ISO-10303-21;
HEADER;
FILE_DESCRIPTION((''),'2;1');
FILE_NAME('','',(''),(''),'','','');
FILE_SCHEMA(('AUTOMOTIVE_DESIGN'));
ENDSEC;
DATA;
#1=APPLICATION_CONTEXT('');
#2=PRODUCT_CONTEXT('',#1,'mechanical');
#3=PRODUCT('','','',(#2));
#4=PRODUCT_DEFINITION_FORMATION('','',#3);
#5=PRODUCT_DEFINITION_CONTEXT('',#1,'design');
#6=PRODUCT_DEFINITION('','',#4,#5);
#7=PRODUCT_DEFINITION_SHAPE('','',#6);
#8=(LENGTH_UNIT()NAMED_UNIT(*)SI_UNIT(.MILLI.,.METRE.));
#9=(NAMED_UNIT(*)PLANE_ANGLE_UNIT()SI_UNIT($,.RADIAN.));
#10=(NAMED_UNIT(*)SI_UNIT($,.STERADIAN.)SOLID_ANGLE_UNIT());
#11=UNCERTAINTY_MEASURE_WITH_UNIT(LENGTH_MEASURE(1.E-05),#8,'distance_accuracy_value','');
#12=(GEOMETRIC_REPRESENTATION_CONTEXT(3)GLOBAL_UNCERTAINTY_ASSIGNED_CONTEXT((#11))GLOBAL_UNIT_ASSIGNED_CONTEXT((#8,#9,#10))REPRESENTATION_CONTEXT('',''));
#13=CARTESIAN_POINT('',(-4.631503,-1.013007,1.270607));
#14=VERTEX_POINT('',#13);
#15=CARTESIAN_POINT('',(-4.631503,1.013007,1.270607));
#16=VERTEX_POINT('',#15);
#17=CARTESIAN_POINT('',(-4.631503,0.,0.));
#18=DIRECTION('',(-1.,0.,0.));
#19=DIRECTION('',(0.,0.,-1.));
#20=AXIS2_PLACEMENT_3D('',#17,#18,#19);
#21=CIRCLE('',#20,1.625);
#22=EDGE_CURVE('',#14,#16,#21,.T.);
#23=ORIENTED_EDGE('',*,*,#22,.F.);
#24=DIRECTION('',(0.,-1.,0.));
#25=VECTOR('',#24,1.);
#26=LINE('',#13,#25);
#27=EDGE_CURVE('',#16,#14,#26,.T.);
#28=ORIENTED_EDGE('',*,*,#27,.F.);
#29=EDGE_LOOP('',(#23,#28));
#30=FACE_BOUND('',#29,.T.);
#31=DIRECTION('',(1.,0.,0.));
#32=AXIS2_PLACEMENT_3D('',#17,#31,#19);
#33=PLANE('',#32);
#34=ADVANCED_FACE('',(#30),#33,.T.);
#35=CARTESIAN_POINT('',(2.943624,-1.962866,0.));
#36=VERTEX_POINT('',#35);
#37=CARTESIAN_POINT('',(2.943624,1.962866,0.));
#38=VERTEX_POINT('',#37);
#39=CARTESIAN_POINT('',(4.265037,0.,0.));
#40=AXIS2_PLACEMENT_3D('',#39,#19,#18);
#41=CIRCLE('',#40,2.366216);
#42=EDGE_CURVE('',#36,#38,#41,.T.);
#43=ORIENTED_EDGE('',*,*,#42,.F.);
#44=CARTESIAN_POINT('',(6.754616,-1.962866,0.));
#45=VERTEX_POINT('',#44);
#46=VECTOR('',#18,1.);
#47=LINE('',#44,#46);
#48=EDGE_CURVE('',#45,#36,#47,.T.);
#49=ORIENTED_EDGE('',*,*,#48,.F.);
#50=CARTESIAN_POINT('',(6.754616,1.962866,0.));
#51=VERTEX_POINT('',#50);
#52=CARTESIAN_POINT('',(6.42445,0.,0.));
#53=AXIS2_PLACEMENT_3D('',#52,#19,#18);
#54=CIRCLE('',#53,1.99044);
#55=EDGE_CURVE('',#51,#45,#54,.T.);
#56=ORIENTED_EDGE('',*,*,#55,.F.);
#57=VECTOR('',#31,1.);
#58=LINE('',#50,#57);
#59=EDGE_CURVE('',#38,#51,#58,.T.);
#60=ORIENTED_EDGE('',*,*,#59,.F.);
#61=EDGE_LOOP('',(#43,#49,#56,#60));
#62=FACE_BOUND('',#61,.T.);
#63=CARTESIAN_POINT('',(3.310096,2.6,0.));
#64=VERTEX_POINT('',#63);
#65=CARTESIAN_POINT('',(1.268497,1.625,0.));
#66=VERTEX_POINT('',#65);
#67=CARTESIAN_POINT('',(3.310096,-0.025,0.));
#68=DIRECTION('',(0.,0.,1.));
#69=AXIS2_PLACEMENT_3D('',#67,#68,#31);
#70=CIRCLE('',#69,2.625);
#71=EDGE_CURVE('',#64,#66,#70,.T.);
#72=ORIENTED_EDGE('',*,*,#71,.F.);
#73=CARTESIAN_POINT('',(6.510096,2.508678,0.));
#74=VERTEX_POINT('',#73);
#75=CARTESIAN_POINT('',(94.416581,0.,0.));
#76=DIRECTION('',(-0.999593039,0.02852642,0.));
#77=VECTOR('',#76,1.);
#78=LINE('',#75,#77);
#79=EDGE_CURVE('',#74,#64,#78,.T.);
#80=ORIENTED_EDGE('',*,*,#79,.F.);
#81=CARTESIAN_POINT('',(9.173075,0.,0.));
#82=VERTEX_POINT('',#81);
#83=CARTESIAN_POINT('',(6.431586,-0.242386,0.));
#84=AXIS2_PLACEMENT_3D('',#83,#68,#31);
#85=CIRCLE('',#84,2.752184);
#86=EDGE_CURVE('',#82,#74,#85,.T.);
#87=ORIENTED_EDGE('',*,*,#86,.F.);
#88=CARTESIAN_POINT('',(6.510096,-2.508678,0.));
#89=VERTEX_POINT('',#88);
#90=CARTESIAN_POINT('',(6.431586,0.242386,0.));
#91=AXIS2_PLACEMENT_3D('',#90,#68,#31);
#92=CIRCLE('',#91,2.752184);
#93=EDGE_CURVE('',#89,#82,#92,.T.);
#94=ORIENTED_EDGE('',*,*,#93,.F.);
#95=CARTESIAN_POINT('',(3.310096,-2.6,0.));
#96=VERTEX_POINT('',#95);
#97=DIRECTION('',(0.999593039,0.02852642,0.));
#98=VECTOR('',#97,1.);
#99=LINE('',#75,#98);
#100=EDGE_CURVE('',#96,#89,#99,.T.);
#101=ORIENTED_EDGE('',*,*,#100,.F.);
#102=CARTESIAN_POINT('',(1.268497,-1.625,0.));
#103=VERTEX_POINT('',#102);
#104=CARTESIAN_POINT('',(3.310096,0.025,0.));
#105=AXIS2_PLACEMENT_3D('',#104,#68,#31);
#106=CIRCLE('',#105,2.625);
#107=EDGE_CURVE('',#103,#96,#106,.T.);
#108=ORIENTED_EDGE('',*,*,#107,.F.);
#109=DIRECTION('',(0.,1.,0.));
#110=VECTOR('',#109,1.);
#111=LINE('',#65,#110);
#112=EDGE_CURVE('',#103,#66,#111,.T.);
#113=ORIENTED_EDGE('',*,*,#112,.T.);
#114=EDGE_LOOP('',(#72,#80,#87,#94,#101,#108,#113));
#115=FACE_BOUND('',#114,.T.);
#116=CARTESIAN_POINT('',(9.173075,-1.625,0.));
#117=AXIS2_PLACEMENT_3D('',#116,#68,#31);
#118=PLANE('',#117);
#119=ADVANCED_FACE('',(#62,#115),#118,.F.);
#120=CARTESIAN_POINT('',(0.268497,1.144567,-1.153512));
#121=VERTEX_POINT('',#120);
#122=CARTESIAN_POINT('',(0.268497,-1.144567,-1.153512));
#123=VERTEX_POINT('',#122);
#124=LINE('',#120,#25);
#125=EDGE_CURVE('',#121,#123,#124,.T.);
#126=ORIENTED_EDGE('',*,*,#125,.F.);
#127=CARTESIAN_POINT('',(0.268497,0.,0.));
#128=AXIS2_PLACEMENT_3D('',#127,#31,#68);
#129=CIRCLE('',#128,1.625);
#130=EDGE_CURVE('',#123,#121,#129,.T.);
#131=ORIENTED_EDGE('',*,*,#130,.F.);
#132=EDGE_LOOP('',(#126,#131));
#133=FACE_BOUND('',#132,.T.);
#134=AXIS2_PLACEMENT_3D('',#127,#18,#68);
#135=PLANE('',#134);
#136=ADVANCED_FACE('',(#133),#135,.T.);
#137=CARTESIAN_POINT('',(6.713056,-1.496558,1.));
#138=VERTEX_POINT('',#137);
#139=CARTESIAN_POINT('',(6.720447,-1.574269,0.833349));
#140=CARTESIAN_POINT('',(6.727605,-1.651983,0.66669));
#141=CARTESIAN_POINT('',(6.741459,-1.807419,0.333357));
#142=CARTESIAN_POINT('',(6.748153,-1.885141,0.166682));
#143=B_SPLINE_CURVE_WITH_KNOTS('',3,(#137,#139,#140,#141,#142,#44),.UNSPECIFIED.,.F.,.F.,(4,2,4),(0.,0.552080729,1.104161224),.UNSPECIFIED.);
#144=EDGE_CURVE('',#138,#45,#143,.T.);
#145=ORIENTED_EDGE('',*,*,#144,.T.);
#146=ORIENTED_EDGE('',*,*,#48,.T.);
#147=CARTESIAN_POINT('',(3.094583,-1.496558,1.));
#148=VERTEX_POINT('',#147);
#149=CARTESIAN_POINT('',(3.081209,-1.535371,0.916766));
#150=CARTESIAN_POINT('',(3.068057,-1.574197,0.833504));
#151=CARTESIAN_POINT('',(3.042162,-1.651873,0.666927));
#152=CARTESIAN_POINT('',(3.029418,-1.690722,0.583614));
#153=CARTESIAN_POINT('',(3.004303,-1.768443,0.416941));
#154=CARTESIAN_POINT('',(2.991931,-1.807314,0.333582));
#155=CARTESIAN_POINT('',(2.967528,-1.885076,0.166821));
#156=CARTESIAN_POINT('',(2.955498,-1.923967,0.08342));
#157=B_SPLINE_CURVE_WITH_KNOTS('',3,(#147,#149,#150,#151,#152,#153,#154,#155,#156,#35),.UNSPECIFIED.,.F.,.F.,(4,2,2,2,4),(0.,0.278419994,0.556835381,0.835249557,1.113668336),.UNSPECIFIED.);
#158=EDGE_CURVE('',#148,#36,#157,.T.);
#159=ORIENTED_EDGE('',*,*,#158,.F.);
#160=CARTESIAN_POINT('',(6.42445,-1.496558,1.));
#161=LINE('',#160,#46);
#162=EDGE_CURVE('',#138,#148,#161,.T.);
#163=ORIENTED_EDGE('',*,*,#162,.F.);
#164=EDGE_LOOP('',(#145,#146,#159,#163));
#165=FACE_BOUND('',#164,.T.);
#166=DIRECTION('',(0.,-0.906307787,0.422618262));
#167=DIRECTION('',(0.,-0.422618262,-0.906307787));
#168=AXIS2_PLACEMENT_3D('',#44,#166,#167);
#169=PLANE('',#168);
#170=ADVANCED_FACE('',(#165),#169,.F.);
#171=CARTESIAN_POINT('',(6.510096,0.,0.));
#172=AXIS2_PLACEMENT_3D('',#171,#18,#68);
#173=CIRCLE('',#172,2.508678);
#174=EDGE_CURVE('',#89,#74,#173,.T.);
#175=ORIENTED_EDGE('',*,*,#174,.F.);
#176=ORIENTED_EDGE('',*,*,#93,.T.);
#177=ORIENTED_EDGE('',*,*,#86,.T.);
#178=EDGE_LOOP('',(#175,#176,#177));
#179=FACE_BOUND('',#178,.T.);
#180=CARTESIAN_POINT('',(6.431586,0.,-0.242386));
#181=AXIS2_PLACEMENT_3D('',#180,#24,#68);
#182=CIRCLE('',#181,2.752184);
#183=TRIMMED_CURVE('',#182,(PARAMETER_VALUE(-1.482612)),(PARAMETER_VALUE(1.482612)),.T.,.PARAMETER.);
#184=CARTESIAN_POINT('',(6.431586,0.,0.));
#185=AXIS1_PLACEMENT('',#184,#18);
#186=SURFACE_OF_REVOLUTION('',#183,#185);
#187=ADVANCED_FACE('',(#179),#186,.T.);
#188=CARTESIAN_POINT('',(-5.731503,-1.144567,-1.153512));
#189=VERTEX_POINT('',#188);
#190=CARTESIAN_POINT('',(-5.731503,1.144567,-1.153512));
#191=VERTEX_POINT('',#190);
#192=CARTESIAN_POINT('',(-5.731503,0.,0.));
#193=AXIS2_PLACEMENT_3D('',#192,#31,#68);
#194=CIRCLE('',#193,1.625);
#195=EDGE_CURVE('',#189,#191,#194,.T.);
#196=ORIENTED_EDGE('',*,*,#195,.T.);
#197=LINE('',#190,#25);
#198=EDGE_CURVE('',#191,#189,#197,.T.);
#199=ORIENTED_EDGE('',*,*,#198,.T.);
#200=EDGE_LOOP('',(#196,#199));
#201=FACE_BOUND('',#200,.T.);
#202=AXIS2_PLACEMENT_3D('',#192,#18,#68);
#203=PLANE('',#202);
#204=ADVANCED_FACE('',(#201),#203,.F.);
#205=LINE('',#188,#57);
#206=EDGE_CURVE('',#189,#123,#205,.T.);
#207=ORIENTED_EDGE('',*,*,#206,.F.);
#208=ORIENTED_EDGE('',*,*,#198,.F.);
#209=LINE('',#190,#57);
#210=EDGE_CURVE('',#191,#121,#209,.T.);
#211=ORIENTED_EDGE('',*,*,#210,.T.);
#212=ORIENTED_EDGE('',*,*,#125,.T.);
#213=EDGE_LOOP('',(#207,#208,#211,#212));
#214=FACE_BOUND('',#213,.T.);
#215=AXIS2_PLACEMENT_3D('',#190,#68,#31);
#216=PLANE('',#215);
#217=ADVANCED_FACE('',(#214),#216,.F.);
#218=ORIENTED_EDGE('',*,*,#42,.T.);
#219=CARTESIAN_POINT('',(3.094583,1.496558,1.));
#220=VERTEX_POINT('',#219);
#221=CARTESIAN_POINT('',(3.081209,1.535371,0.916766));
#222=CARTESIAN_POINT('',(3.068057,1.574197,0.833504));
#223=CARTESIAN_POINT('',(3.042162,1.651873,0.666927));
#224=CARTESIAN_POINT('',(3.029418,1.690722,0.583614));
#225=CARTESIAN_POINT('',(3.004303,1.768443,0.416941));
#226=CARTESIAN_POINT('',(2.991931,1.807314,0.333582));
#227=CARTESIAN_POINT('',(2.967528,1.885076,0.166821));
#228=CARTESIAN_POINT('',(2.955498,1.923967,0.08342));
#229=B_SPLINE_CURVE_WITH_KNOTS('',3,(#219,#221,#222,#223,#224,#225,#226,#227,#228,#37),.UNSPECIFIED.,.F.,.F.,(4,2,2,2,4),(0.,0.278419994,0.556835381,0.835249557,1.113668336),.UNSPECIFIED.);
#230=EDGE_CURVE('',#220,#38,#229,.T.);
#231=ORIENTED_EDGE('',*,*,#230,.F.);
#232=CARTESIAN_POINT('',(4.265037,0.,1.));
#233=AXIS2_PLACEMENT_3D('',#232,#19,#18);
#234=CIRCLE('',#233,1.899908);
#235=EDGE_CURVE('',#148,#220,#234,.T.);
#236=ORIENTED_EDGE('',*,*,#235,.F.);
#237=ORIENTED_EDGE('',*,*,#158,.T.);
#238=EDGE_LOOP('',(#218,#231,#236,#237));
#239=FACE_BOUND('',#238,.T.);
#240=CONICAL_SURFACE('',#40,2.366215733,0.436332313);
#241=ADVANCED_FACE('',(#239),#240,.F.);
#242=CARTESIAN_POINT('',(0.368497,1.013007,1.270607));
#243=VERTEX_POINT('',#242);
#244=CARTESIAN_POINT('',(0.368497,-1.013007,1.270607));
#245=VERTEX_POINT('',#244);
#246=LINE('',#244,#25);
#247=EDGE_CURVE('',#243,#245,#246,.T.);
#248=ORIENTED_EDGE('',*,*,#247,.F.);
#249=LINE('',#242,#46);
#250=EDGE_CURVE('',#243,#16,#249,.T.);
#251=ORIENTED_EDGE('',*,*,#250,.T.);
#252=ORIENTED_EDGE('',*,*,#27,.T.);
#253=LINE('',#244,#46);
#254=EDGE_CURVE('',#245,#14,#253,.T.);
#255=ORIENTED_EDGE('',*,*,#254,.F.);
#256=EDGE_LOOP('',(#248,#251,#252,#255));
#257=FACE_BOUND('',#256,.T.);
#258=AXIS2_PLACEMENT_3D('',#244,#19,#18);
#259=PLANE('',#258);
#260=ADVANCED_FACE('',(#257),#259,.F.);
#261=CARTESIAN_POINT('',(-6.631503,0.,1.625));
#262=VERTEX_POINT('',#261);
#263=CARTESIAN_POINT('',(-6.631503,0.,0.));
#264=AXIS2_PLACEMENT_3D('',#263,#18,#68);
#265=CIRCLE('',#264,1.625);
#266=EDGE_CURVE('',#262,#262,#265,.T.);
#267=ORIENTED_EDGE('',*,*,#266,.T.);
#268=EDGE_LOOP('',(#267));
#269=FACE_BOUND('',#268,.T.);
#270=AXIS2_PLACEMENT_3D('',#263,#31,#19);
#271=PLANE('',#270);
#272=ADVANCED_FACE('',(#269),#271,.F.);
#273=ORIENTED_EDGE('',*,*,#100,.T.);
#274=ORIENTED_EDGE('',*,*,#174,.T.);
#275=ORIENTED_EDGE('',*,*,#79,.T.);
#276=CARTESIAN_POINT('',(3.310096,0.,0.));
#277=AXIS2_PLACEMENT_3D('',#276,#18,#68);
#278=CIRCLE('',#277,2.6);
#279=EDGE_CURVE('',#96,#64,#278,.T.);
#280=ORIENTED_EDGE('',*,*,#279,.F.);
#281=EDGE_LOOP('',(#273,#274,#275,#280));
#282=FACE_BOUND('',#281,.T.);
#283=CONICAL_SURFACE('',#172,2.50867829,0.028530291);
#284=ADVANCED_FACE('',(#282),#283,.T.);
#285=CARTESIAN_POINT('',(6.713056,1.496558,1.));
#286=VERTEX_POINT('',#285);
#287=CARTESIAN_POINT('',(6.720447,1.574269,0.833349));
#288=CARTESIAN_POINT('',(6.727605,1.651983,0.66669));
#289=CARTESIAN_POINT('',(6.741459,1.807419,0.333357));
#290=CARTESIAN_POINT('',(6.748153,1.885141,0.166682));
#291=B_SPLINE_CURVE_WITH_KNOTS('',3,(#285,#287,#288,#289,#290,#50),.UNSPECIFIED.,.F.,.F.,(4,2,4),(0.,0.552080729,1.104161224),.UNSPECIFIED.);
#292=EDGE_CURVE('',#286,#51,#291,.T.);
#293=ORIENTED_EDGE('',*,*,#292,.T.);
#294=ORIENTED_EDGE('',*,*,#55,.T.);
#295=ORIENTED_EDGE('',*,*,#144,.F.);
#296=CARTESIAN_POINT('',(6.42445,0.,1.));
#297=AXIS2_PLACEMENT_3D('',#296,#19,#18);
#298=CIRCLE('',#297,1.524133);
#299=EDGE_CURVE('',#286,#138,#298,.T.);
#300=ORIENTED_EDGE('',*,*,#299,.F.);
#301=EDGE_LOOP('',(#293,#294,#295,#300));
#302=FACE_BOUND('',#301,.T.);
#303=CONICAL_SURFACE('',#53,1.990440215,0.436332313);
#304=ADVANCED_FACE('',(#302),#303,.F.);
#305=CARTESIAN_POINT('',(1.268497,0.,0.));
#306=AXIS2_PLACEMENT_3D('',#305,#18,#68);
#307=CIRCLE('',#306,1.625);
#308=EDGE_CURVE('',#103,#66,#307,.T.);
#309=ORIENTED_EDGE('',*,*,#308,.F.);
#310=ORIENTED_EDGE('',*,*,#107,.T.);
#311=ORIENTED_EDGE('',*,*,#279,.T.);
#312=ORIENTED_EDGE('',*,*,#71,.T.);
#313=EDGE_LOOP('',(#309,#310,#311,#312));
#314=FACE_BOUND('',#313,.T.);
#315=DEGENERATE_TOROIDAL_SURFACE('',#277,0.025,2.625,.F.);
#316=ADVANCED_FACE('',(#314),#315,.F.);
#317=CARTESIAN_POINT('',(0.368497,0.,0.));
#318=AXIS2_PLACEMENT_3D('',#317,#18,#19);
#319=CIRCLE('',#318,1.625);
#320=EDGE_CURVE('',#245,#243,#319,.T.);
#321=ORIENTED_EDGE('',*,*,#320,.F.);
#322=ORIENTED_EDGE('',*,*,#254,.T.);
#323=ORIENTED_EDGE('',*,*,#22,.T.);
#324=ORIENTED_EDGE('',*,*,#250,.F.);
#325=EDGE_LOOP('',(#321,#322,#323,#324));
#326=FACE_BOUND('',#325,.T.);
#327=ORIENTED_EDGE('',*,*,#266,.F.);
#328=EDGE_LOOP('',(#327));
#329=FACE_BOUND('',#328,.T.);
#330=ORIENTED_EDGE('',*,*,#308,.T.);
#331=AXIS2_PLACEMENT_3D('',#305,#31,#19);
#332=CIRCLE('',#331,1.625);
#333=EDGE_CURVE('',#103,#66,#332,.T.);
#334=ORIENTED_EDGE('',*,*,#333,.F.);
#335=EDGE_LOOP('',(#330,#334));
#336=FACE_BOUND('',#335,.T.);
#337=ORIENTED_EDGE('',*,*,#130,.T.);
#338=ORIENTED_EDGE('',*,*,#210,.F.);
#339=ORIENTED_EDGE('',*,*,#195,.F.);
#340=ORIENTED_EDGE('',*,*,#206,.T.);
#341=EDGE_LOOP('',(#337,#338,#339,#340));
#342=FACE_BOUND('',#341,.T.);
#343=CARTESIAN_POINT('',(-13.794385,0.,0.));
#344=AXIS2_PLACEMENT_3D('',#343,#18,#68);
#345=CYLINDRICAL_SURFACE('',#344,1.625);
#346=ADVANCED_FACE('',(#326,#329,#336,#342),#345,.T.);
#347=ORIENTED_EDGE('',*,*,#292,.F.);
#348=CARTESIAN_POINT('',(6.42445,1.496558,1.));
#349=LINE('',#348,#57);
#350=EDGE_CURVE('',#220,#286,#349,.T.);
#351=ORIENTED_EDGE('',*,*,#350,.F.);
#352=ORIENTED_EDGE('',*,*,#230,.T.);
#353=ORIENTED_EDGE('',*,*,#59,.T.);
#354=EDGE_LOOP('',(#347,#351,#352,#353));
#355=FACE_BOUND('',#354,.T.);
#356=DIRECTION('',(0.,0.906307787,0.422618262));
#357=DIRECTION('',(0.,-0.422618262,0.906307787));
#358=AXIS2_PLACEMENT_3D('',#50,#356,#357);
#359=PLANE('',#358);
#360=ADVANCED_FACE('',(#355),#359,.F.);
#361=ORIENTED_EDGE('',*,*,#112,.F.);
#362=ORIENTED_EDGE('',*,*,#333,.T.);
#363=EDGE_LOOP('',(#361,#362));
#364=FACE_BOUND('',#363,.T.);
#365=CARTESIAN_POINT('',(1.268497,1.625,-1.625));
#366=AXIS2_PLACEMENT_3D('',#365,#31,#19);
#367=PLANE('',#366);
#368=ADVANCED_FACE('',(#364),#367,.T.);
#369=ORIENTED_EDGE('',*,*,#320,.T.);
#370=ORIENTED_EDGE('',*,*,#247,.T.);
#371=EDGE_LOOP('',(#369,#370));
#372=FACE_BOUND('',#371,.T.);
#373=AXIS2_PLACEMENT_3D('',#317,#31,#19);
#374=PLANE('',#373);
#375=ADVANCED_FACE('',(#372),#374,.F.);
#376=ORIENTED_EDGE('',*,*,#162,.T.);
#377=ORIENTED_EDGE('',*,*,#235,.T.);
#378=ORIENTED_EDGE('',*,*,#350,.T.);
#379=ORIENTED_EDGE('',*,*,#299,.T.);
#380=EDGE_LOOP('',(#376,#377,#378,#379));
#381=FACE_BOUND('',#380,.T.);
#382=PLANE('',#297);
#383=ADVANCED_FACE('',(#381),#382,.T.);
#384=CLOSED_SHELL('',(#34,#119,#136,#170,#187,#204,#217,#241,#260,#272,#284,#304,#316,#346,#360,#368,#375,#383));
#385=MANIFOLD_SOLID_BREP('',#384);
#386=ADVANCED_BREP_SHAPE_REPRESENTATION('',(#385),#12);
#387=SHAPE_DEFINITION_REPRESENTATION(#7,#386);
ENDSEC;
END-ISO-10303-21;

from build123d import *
from build123d.topology import SkipClean

# Parameters (mm, degrees)
CUT_EXTRUDE3_DEPTH = 17.226666346
CUT_EXTRUDE4_DEPTH = 10.882576389
CUT_EXTRUDE5_DEPTH = 1
CUT_EXTRUDE5_DRAFT = -25
CUT_EXTRUDE7_START = -7
CUT_EXTRUDE7_DEPTH = 5
CUT_EXTRUDE8_START = -1
CUT_EXTRUDE8_DEPTH = 6


with BuildPart() as part:
    # Sketch2 → Revolve1 (revolve)
    with BuildSketch(Plane.XY, mode=Mode.PRIVATE) as revolve1_sk:
        with BuildLine():
            Line((-6.63150289, 0), (-6.63150289, 1.625))
            Line((-6.63150289, 1.625), (1.26849711, 1.625))
            ThreePointArc((1.26849711, 1.625), (2.178863013, 2.343741755), (3.310095748, 2.6))
            Line((3.310095748, 2.6), (6.510095748, 2.50867829))
            ThreePointArc((6.510095748, 2.50867829), (8.318770507, 1.760874291), (9.17307545, 0))
            Line((9.17307545, 0), (-6.63150289, 0))
        make_face()
    revolve(revolve1_sk.sketch.rotate(Axis((-13.79438497, 0, 0), (1, 0, 0)), 90), axis=Axis((-13.79438497, 0, 0), (1, 0, 0)))

    # Sketch8 → Cut-Extrude3 (cut, through all)
    with SkipClean():  # the faces are left unmerged after this step: merging them gives an invalid solid
        with BuildSketch(Plane.ZY.offset(6.63150289)):
            with BuildLine():
                Line((0, -1.625), (0, -2.6))
                ThreePointArc((0, -2.6), (-2.6, 0), (0, 2.6))
                Line((0, 2.6), (0, 1.625))
                ThreePointArc((0, 1.625), (-1.625, 0), (0, -1.625))
            make_face()
        extrude(amount=-CUT_EXTRUDE3_DEPTH, mode=Mode.SUBTRACT)

    # Sketch9 → Cut-Extrude4 (cut, through all)
    with SkipClean():  # the faces are left unmerged after this step: merging them gives an invalid solid
        with BuildSketch(Plane(origin=(0, 0, 0), x_dir=(-1, 0, 0), z_dir=(0, 0, -1))):
            with BuildLine():
                Line((-1.26849711, 1.625), (-1.26849711, -1.625))
                Line((-1.26849711, -1.625), (-2.014389305, -1.625))
                ThreePointArc((-2.014389305, -1.625), (-4.93682915, -1.903834504), (-7.859268995, -1.625))
                Line((-7.859268995, -1.625), (-8.453314596, -1.625))
                ThreePointArc((-8.453314596, -1.625), (-9.31617507, 0), (-8.453314596, 1.625))
                Line((-8.453314596, 1.625), (-7.859268995, 1.625))
                ThreePointArc((-7.859268995, 1.625), (-4.926626022, 1.952572443), (-1.993983049, 1.625))
                Line((-1.993983049, 1.625), (-1.26849711, 1.625))
            make_face()
        extrude(amount=CUT_EXTRUDE4_DEPTH, mode=Mode.SUBTRACT)


with BuildPart() as cut_extrude5_tool:
    # Sketch10 → Cut-Extrude5 (with draft: the straight prism first)
    with BuildSketch(Plane(origin=(0, 0, 0), x_dir=(-1, 0, 0), z_dir=(0, 0, -1))):
        with BuildLine():
            ThreePointArc((-6.754616043, 1.962865993), (-8.41489063, 0), (-6.754616043, -1.962865993))
            Line((-6.754616043, -1.962865993), (-2.943623614, -1.962865993))
            ThreePointArc((-2.943623614, -1.962865993), (-1.898821514, 0), (-2.943623614, 1.962865993))
            Line((-2.943623614, 1.962865993), (-6.754616043, 1.962865993))
        make_face()
    extrude(amount=-CUT_EXTRUDE5_DEPTH)
    # Cut-Extrude5: the draft: its side faces are tilted about the plane it starts from
    cut_extrude5_sides = [cut_extrude5_tool.faces().sort_by_distance(p)[0] for p in [
        (4.849119829, -1.962865993, 0.5),
        (1.898821514, 0, 0.5),
        (4.849119829, 1.962865993, 0.5),
        (8.41489063, 0, 0.5),
    ]]
    draft(cut_extrude5_sides, Plane(origin=(0, 0, 0), x_dir=(-1, 0, 0), z_dir=(0, 0, -1)), CUT_EXTRUDE5_DRAFT)


with BuildPart() as part_1:
    add(part.part)

    # Cut-Extrude5: cut by cut_extrude5_tool
    add(cut_extrude5_tool.part, mode=Mode.SUBTRACT)

    # Sketch13 → Cut-Extrude7 (cut)
    with BuildSketch(Plane.ZY.offset(6.63150289).offset(CUT_EXTRUDE7_START)):
        with BuildLine():
            Line((1.270607087, -1.013006727), (1.270607087, 1.013006727))
            ThreePointArc((1.270607087, 1.013006727), (1.625, 0), (1.270607087, -1.013006727))
        make_face()
    extrude(amount=CUT_EXTRUDE7_DEPTH, mode=Mode.SUBTRACT)

    # Sketch14 → Cut-Extrude8 (cut)
    with BuildSketch(Plane(origin=(1.26849711, 0, 0), x_dir=(0, 0, -1), z_dir=(1, 0, 0)).offset(CUT_EXTRUDE8_START)):
        with BuildLine():
            Line((1.153512248, 1.144567383), (1.153512248, -1.144567383))
            ThreePointArc((1.153512248, -1.144567383), (1.625, 0), (1.153512248, 1.144567383))
        make_face()
    extrude(amount=-CUT_EXTRUDE8_DEPTH, mode=Mode.SUBTRACT)


solid = part_1.part
